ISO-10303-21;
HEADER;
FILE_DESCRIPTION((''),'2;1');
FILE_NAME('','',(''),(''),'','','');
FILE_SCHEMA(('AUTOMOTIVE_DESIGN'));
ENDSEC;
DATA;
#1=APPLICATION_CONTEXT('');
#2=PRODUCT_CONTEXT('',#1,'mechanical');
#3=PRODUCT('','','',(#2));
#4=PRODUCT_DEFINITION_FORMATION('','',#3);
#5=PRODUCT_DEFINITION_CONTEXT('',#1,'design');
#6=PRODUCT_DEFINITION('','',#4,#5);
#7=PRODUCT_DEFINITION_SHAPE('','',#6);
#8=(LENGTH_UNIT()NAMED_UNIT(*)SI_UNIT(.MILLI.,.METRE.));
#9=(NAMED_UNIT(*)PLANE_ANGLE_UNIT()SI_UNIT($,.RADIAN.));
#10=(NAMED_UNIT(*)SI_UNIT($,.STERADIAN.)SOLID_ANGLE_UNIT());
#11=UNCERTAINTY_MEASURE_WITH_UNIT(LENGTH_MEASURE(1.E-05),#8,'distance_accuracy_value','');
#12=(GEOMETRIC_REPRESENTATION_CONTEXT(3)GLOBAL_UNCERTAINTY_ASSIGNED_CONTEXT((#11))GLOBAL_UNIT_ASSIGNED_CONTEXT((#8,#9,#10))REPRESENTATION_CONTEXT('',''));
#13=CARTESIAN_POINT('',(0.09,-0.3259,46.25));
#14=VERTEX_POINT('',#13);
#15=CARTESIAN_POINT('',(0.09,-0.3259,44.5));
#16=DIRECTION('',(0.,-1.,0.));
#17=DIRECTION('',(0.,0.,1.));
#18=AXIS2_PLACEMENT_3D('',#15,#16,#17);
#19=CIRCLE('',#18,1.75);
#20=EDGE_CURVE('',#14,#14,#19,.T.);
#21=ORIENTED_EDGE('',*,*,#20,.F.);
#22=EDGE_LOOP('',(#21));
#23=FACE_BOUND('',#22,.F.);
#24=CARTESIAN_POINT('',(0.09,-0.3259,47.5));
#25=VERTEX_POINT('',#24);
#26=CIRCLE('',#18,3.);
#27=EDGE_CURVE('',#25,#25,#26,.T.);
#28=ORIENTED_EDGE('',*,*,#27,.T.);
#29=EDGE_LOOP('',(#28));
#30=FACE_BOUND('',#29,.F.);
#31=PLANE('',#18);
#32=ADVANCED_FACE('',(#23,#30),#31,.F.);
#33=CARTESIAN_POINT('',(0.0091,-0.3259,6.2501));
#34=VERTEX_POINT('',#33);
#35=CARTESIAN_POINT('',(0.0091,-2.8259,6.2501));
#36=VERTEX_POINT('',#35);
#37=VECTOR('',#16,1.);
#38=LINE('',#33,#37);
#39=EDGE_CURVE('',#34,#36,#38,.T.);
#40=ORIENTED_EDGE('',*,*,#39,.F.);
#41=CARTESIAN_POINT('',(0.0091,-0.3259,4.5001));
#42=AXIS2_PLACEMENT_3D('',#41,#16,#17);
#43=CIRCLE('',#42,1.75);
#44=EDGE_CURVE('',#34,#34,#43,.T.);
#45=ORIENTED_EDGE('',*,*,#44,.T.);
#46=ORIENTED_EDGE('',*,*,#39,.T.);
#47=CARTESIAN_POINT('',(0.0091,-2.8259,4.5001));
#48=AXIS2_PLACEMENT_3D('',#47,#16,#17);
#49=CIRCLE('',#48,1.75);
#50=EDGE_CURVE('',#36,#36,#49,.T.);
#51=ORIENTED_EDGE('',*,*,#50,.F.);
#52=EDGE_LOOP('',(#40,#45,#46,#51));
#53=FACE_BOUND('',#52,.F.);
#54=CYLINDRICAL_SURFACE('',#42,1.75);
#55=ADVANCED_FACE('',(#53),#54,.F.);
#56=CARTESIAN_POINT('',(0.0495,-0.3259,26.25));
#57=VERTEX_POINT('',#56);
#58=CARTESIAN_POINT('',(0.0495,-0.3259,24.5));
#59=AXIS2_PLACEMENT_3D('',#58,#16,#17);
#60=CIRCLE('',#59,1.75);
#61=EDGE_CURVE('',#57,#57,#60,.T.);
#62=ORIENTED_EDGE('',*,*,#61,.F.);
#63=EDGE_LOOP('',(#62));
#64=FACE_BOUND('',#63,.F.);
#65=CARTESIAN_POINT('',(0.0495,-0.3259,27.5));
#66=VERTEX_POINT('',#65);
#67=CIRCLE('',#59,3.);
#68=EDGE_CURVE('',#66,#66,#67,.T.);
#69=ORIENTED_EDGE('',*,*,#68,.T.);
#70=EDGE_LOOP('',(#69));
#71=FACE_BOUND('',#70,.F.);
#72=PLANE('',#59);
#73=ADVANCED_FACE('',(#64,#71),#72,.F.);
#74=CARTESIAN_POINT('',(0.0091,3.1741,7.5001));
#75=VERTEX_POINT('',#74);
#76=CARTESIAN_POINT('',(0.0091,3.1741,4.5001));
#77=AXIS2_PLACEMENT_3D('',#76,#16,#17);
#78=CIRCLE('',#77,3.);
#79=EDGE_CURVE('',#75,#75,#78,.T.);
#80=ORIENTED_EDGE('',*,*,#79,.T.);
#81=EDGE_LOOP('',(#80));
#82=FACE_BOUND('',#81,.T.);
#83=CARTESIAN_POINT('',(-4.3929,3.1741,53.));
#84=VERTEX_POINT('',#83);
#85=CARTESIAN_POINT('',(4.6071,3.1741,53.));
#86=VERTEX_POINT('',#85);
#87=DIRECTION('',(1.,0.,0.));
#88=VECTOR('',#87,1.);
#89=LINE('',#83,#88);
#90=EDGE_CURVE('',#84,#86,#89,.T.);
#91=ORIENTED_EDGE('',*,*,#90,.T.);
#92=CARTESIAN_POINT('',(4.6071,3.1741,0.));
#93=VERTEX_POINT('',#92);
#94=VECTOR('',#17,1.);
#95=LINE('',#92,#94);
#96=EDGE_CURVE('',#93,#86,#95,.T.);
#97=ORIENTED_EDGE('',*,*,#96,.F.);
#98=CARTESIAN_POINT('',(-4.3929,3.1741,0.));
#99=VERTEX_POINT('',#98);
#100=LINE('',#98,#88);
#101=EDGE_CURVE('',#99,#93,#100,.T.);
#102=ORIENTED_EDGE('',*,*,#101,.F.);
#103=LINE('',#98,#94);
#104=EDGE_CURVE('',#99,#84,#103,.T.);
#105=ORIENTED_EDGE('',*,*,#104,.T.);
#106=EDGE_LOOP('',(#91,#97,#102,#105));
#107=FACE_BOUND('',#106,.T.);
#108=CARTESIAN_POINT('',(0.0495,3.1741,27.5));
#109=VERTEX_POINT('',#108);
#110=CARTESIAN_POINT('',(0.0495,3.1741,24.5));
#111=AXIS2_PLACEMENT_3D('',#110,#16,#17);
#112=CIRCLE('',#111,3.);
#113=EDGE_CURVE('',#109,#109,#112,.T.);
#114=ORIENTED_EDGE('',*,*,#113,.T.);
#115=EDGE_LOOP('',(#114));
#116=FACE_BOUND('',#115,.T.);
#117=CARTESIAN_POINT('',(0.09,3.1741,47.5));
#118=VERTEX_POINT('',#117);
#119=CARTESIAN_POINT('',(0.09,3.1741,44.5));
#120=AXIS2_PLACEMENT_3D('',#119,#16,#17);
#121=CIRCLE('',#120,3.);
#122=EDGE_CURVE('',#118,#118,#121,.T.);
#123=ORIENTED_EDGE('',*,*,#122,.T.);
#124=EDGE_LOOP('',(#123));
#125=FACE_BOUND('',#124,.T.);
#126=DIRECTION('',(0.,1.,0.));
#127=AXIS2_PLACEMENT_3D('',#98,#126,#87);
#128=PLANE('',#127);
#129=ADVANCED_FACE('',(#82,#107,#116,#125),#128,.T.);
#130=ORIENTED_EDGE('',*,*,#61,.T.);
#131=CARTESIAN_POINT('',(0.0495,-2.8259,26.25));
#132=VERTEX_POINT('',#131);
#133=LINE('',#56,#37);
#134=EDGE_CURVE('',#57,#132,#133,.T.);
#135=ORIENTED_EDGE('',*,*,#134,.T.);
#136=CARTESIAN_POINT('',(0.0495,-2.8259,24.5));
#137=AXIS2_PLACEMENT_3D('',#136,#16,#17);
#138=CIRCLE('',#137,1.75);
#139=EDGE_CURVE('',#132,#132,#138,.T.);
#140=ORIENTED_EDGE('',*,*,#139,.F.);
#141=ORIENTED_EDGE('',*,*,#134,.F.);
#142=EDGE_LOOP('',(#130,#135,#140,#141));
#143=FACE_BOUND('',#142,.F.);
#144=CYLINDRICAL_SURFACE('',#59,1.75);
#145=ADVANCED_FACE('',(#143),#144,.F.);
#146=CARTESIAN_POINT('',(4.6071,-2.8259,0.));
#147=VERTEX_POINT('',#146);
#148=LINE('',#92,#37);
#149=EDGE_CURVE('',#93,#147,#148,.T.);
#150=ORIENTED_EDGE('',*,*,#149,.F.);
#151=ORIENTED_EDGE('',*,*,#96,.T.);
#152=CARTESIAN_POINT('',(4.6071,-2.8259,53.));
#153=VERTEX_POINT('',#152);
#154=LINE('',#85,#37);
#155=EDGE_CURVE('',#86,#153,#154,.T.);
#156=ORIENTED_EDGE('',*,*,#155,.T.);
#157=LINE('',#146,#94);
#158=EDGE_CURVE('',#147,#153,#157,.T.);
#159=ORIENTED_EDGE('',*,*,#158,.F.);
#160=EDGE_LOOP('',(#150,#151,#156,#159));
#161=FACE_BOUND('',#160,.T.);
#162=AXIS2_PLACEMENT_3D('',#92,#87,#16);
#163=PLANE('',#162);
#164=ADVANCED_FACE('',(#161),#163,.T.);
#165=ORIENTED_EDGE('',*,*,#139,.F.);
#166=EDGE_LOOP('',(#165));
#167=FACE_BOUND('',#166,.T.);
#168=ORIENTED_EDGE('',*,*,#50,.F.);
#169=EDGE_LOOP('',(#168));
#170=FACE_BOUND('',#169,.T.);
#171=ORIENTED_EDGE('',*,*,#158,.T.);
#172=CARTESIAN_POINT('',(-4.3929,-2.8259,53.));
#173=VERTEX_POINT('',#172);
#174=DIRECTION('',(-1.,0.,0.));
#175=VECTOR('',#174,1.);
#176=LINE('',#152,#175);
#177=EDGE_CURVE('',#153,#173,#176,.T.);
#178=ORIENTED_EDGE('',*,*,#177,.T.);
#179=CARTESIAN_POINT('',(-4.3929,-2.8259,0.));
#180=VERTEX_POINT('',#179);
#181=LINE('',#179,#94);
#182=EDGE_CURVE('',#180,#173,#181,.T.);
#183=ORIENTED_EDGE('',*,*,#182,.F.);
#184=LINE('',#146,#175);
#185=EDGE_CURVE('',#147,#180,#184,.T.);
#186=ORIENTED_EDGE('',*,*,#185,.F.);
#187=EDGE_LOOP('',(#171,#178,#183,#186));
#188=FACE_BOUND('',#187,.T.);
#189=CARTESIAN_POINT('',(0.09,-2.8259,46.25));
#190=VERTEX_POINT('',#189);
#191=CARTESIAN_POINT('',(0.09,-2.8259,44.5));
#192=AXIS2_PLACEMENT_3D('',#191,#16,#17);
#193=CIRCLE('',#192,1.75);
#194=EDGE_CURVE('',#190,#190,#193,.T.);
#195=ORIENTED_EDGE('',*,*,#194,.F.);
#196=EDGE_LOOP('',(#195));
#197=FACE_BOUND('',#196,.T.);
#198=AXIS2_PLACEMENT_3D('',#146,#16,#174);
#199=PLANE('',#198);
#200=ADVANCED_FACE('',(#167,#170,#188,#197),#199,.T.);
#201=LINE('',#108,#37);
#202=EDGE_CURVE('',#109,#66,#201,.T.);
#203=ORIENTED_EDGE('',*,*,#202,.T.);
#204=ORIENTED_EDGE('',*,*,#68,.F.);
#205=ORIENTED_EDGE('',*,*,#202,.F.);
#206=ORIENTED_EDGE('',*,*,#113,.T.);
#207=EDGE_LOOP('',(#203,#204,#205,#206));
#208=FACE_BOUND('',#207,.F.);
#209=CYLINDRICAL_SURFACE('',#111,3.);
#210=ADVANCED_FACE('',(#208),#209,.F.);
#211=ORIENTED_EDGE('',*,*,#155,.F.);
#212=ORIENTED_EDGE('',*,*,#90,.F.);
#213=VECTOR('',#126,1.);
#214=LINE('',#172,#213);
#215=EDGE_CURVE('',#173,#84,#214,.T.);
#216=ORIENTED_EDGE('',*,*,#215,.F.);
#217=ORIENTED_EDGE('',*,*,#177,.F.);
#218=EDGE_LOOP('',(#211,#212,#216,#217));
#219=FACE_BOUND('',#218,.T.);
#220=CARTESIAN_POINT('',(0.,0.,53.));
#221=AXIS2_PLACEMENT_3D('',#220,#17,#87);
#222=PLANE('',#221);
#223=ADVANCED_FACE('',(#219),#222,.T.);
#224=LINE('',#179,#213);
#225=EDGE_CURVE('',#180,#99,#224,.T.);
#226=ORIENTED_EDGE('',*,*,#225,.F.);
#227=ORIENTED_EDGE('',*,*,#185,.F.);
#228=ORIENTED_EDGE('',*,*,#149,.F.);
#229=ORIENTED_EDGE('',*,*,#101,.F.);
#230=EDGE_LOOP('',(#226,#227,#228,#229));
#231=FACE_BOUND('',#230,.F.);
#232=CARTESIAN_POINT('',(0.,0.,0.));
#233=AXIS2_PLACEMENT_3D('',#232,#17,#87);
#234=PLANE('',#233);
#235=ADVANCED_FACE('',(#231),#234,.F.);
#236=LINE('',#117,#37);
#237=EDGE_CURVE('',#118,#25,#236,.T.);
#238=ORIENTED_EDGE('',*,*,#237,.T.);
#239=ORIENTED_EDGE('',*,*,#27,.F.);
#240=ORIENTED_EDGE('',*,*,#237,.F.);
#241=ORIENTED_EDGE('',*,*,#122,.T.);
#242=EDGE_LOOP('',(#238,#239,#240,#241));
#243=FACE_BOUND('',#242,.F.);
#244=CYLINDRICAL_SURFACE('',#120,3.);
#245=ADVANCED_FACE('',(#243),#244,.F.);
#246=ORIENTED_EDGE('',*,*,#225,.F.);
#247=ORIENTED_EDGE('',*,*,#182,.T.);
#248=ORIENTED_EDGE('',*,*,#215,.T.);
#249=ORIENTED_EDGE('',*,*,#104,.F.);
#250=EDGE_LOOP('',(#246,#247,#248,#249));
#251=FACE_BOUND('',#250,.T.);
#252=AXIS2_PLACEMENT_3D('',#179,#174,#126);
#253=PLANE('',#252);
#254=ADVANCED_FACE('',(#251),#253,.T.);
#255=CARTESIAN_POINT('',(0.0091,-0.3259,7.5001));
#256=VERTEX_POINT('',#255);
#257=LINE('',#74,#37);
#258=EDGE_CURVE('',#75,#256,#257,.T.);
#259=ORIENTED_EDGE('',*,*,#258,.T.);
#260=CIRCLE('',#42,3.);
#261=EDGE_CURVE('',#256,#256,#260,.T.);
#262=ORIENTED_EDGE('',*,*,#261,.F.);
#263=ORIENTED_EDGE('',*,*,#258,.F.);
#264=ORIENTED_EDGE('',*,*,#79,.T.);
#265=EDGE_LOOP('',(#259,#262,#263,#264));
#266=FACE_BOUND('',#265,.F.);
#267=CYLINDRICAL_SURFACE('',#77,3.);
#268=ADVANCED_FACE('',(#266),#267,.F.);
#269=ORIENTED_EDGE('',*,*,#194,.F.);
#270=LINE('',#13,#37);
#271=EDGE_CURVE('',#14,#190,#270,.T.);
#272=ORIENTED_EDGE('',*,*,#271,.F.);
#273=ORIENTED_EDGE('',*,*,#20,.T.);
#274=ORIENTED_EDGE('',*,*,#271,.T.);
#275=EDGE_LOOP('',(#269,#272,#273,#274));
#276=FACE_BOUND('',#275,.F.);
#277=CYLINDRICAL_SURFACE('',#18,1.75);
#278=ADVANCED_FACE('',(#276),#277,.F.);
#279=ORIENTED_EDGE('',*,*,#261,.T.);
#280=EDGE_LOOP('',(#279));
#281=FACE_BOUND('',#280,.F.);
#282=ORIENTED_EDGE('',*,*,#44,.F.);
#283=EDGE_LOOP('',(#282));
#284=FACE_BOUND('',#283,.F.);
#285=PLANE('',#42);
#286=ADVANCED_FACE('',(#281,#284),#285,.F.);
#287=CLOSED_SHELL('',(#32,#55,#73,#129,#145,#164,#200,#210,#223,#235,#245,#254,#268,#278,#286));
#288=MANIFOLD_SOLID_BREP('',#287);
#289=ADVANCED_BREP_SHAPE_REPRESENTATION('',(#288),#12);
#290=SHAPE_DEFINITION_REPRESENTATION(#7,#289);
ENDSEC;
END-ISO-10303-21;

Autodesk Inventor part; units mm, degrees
ref_plane "YZ Plane" through (0, 0, 0) normal (1, 0, 0) x (0, 1, 0)
ref_plane "XZ Plane" through (0, 0, 0) normal (0, 1, 0) x (-1, 0, 0)
ref_plane "XY Plane" through (0, 0, 0) normal (0, 0, 1) x (1, 0, 0)
sketch "Sketch1" plane through (0, 0, 0) normal (0, 0, 1) x (1, 0, 0)
  line L0 (4.6071, -2.8259) -> (-4.3929, -2.8259)
  line L1 (-4.3929, -2.8259) -> (-4.3929, 3.1741)
  line L2 (-4.3929, 3.1741) -> (4.6071, 3.1741)
  line L3 (4.6071, 3.1741) -> (4.6071, -2.8259)
  point P0 (0, 0)
  dimension "d0" = 9
  dimension "d1" = 6
extrude "Extrusion1" add sketch "Sketch1" along normal blind 53
sketch "Sketch2" plane through (-4.3929, 3.1741, 0) normal (0, 1, 0) x (1, 0, 0)
  line L0 (0, 0) -> (9, 0) projected
  line L1 (0, 0) -> (0, -53) projected
  line L2 (9, -53) -> (0, -53) projected
  line L3 (9, 0) -> (9, -53) projected
  line L4 (-2.9143, -24.5) -> (15.4572, -24.5)
  line L5 (4.5, -53) -> (4.3929, 0)
  circle A0 centre (4.4828, -44.5) radius 1.75
  circle A1 centre (4.4424, -24.5) radius 1.75
  circle A2 centre (4.402, -4.5001) radius 1.75
  dimension "d4" = 3.5
  dimension "d5" = 40
  dimension "d6" = 8.5
  dimension "d9" = 20
hole "Hole1" at (0.09, 3.1741, 44.5) at (0.0495, 3.1741, 24.5) at (0.0091, 3.1741, 4.5001) direction (0, -1, 0) diameter 3.5 end through all counterbore diameter 6 counterbore depth 3.5
properties part number "slider-rail"
